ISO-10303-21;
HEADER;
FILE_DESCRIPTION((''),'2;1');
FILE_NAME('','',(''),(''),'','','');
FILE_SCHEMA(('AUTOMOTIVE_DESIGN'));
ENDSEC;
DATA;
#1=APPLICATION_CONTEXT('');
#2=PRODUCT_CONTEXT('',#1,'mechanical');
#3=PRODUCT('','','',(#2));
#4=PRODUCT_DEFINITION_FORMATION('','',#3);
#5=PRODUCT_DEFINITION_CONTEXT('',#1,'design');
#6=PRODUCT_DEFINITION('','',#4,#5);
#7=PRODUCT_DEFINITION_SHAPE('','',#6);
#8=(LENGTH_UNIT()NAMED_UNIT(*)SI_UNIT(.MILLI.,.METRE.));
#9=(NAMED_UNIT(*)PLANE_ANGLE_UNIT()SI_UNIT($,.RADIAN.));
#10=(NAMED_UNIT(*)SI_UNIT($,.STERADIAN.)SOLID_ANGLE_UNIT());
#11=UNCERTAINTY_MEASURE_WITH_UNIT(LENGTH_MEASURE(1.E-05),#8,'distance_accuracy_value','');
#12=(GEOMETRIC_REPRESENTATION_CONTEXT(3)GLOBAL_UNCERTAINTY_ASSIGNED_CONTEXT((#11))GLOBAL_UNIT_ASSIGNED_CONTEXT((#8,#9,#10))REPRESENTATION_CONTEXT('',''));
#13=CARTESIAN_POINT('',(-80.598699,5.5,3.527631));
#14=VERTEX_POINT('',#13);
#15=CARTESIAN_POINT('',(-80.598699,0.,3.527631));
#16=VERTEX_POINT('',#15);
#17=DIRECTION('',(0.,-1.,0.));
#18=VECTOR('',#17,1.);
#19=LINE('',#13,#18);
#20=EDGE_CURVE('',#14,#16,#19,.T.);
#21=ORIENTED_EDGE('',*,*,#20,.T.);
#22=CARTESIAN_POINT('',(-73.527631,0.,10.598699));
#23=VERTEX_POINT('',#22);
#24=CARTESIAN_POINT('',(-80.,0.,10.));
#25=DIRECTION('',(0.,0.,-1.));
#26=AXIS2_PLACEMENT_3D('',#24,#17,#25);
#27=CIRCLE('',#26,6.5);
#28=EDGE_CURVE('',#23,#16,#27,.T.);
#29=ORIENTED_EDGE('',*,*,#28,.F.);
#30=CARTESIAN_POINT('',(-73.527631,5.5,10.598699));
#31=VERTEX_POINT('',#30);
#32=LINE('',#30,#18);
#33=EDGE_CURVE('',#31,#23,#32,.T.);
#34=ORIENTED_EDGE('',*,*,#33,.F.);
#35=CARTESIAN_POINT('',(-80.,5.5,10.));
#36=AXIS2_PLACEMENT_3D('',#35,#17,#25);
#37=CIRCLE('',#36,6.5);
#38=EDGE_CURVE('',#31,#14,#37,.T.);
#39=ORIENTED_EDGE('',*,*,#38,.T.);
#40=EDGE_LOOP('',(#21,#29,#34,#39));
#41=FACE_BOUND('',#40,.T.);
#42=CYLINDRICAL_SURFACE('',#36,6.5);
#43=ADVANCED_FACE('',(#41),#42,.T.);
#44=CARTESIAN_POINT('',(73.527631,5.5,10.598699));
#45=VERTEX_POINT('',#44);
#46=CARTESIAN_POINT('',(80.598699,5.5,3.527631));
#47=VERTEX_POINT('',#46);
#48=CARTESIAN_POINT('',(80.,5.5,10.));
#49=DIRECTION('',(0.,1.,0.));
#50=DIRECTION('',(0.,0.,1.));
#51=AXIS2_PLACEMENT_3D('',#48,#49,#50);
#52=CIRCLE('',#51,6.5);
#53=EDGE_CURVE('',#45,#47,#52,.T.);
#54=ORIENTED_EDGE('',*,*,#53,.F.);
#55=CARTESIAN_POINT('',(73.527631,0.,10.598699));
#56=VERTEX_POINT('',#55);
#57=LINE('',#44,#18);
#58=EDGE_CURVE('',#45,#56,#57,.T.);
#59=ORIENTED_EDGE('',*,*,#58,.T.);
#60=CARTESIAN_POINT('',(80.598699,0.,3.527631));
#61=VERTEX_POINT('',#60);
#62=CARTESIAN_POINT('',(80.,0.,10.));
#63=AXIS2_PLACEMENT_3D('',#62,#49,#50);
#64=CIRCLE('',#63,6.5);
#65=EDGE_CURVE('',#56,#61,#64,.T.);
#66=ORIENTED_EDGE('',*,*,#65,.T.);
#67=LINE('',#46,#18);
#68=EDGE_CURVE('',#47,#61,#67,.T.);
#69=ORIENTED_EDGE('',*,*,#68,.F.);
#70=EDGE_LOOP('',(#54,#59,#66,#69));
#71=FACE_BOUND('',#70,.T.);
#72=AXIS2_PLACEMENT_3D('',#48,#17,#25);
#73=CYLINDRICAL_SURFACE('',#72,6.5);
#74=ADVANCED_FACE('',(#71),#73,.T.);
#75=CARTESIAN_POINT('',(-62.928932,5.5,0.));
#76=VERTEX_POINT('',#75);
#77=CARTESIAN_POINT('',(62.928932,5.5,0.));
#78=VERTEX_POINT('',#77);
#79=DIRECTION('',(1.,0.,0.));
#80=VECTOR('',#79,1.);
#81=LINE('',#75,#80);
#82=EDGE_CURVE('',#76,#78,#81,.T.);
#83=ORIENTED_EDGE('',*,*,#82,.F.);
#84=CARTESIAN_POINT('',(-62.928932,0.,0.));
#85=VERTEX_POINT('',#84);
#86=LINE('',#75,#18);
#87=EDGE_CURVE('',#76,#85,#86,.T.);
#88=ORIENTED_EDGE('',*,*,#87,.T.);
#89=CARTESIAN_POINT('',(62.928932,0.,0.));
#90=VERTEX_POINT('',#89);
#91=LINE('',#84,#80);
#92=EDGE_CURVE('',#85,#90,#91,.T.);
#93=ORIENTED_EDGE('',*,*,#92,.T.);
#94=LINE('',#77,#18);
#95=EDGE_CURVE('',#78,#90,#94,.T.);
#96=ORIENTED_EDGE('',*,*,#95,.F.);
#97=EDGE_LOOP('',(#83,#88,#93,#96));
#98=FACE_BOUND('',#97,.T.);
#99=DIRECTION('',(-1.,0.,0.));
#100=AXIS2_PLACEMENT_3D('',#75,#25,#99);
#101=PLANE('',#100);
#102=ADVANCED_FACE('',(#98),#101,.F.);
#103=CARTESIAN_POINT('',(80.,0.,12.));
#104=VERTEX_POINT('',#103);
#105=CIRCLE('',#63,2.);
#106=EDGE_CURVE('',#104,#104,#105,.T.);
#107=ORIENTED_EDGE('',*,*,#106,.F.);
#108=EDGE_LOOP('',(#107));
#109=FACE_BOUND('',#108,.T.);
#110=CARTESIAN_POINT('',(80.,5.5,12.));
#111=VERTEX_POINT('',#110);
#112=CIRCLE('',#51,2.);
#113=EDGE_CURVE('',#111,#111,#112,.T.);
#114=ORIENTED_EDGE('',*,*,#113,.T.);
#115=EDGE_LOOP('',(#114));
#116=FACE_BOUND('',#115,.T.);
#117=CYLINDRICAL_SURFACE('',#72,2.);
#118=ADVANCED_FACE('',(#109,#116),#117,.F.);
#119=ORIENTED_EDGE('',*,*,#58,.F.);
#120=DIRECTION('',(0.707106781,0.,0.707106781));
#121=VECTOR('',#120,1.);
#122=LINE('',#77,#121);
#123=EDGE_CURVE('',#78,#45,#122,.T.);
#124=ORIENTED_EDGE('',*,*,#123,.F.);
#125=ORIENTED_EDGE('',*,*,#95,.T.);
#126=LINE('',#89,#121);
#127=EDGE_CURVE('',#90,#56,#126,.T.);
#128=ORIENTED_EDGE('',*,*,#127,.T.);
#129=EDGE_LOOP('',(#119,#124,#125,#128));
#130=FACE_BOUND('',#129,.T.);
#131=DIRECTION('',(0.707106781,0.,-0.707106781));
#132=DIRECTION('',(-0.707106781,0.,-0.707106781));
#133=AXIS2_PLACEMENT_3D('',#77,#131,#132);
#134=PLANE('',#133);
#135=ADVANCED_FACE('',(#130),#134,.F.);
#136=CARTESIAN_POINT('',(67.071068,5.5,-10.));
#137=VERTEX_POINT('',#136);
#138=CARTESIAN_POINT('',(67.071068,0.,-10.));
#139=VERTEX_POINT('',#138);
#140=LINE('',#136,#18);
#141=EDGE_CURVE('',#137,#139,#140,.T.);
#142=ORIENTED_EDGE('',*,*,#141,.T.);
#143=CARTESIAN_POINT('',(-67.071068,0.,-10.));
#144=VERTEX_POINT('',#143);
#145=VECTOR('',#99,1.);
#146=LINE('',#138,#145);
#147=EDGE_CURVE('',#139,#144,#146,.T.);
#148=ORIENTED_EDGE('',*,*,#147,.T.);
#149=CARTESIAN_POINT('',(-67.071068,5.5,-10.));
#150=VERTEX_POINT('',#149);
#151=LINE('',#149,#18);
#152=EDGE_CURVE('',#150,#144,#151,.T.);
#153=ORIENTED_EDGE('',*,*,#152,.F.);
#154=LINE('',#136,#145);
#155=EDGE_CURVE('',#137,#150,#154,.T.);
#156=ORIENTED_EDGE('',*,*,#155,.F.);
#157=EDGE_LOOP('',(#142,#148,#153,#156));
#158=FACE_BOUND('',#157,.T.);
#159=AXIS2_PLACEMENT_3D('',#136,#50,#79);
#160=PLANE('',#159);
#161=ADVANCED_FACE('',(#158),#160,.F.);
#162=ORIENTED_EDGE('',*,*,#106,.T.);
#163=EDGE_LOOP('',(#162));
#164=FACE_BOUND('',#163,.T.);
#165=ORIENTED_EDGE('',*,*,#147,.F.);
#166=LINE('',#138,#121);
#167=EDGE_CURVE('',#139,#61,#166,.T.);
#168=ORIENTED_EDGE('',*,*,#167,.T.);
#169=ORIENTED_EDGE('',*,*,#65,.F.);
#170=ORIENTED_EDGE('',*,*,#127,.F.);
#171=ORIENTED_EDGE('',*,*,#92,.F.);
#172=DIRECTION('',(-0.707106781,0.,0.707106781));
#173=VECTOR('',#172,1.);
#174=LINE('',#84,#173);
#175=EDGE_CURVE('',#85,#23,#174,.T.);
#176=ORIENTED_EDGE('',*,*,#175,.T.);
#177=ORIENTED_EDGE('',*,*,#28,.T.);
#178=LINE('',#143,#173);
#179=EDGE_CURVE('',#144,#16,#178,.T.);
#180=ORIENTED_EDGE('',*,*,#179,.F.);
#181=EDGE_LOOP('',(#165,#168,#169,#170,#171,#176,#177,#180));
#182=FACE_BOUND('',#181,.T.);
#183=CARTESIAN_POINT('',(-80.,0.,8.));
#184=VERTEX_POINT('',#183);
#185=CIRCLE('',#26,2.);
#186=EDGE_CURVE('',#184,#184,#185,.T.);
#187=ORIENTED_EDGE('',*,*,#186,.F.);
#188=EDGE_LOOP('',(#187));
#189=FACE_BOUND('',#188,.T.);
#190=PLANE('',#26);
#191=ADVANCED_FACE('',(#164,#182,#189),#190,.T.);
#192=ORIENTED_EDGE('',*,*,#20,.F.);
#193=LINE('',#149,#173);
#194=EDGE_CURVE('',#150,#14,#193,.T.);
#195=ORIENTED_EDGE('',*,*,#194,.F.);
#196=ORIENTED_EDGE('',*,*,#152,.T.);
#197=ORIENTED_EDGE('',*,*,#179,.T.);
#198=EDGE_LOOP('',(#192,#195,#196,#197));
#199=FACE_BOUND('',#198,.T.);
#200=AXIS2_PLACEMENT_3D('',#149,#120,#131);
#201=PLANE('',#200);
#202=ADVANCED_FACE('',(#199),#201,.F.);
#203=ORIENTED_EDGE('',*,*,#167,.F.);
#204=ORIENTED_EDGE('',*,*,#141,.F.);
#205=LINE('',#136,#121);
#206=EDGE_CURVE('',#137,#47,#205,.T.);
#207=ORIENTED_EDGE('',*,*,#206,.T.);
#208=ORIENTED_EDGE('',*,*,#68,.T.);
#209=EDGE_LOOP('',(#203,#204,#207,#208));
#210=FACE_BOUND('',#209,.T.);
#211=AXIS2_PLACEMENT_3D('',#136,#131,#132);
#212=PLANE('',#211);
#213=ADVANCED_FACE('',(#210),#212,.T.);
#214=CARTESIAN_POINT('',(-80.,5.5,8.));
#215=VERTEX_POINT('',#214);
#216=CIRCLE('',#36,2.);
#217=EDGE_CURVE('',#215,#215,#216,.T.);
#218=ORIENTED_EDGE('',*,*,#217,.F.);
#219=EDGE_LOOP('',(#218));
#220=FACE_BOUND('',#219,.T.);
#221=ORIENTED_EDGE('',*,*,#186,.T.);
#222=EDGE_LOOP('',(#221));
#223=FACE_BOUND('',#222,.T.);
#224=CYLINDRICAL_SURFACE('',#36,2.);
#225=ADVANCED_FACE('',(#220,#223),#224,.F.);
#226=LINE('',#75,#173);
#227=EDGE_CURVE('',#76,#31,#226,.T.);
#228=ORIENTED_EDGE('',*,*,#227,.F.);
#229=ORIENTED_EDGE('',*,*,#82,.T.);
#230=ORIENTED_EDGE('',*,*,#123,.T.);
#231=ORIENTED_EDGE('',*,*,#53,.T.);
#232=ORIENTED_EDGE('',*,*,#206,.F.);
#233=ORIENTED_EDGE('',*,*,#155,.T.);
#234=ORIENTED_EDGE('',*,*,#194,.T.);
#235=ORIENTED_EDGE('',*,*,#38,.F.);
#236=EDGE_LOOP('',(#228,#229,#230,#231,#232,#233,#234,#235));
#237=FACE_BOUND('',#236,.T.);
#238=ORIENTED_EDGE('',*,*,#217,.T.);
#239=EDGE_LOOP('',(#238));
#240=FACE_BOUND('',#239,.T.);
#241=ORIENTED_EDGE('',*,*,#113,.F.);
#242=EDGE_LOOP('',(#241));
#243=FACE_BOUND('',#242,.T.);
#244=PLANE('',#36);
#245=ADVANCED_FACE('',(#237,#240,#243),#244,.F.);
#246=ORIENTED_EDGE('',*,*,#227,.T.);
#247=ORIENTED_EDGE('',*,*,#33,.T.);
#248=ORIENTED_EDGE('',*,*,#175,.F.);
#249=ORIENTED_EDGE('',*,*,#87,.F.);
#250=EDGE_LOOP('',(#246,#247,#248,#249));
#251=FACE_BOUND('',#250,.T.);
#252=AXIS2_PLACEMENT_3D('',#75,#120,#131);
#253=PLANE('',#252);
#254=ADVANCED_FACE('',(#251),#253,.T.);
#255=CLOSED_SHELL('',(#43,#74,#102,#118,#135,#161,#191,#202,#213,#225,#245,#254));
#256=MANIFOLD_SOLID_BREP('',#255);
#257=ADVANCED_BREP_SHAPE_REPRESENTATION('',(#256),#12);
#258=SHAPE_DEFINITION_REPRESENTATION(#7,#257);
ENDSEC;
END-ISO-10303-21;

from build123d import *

# Parameters (mm, degrees)
SKETCH1_R           = 2
BOSS_EXTRUDE1_DEPTH = 5.5


with BuildPart() as part:
    # Sketch1 → Boss-Extrude1 (new body)
    with BuildSketch(Plane(origin=(0, 0, 0), x_dir=(1, 0, 0), z_dir=(0, 1, 0))):
        with BuildLine():
            Line((-62.928932188, 0), (62.928932188, 0))
            Line((62.928932188, 0), (73.527631063, -10.598698875))
            ThreePointArc((73.527631063, -10.598698875), (84.596194078, -14.596194078), (80.598698875, -3.527631063))
            Line((80.598698875, -3.527631063), (67.071067812, 10))
            Line((67.071067812, 10), (-67.071067812, 10))
            Line((-67.071067812, 10), (-80.598698875, -3.527631063))
            ThreePointArc((-80.598698875, -3.527631063), (-84.596194078, -14.596194078), (-73.527631063, -10.598698875))
            Line((-73.527631063, -10.598698875), (-62.928932188, 0))
        make_face()
        with Locations(Location((80, -10, 0), (0, 0, 270))):
            Circle(SKETCH1_R, mode=Mode.SUBTRACT)
        with Locations(Location((-80, -10, 0), (0, 0, 90))):
            Circle(SKETCH1_R, mode=Mode.SUBTRACT)
    extrude(amount=BOSS_EXTRUDE1_DEPTH)


solid = part.part
